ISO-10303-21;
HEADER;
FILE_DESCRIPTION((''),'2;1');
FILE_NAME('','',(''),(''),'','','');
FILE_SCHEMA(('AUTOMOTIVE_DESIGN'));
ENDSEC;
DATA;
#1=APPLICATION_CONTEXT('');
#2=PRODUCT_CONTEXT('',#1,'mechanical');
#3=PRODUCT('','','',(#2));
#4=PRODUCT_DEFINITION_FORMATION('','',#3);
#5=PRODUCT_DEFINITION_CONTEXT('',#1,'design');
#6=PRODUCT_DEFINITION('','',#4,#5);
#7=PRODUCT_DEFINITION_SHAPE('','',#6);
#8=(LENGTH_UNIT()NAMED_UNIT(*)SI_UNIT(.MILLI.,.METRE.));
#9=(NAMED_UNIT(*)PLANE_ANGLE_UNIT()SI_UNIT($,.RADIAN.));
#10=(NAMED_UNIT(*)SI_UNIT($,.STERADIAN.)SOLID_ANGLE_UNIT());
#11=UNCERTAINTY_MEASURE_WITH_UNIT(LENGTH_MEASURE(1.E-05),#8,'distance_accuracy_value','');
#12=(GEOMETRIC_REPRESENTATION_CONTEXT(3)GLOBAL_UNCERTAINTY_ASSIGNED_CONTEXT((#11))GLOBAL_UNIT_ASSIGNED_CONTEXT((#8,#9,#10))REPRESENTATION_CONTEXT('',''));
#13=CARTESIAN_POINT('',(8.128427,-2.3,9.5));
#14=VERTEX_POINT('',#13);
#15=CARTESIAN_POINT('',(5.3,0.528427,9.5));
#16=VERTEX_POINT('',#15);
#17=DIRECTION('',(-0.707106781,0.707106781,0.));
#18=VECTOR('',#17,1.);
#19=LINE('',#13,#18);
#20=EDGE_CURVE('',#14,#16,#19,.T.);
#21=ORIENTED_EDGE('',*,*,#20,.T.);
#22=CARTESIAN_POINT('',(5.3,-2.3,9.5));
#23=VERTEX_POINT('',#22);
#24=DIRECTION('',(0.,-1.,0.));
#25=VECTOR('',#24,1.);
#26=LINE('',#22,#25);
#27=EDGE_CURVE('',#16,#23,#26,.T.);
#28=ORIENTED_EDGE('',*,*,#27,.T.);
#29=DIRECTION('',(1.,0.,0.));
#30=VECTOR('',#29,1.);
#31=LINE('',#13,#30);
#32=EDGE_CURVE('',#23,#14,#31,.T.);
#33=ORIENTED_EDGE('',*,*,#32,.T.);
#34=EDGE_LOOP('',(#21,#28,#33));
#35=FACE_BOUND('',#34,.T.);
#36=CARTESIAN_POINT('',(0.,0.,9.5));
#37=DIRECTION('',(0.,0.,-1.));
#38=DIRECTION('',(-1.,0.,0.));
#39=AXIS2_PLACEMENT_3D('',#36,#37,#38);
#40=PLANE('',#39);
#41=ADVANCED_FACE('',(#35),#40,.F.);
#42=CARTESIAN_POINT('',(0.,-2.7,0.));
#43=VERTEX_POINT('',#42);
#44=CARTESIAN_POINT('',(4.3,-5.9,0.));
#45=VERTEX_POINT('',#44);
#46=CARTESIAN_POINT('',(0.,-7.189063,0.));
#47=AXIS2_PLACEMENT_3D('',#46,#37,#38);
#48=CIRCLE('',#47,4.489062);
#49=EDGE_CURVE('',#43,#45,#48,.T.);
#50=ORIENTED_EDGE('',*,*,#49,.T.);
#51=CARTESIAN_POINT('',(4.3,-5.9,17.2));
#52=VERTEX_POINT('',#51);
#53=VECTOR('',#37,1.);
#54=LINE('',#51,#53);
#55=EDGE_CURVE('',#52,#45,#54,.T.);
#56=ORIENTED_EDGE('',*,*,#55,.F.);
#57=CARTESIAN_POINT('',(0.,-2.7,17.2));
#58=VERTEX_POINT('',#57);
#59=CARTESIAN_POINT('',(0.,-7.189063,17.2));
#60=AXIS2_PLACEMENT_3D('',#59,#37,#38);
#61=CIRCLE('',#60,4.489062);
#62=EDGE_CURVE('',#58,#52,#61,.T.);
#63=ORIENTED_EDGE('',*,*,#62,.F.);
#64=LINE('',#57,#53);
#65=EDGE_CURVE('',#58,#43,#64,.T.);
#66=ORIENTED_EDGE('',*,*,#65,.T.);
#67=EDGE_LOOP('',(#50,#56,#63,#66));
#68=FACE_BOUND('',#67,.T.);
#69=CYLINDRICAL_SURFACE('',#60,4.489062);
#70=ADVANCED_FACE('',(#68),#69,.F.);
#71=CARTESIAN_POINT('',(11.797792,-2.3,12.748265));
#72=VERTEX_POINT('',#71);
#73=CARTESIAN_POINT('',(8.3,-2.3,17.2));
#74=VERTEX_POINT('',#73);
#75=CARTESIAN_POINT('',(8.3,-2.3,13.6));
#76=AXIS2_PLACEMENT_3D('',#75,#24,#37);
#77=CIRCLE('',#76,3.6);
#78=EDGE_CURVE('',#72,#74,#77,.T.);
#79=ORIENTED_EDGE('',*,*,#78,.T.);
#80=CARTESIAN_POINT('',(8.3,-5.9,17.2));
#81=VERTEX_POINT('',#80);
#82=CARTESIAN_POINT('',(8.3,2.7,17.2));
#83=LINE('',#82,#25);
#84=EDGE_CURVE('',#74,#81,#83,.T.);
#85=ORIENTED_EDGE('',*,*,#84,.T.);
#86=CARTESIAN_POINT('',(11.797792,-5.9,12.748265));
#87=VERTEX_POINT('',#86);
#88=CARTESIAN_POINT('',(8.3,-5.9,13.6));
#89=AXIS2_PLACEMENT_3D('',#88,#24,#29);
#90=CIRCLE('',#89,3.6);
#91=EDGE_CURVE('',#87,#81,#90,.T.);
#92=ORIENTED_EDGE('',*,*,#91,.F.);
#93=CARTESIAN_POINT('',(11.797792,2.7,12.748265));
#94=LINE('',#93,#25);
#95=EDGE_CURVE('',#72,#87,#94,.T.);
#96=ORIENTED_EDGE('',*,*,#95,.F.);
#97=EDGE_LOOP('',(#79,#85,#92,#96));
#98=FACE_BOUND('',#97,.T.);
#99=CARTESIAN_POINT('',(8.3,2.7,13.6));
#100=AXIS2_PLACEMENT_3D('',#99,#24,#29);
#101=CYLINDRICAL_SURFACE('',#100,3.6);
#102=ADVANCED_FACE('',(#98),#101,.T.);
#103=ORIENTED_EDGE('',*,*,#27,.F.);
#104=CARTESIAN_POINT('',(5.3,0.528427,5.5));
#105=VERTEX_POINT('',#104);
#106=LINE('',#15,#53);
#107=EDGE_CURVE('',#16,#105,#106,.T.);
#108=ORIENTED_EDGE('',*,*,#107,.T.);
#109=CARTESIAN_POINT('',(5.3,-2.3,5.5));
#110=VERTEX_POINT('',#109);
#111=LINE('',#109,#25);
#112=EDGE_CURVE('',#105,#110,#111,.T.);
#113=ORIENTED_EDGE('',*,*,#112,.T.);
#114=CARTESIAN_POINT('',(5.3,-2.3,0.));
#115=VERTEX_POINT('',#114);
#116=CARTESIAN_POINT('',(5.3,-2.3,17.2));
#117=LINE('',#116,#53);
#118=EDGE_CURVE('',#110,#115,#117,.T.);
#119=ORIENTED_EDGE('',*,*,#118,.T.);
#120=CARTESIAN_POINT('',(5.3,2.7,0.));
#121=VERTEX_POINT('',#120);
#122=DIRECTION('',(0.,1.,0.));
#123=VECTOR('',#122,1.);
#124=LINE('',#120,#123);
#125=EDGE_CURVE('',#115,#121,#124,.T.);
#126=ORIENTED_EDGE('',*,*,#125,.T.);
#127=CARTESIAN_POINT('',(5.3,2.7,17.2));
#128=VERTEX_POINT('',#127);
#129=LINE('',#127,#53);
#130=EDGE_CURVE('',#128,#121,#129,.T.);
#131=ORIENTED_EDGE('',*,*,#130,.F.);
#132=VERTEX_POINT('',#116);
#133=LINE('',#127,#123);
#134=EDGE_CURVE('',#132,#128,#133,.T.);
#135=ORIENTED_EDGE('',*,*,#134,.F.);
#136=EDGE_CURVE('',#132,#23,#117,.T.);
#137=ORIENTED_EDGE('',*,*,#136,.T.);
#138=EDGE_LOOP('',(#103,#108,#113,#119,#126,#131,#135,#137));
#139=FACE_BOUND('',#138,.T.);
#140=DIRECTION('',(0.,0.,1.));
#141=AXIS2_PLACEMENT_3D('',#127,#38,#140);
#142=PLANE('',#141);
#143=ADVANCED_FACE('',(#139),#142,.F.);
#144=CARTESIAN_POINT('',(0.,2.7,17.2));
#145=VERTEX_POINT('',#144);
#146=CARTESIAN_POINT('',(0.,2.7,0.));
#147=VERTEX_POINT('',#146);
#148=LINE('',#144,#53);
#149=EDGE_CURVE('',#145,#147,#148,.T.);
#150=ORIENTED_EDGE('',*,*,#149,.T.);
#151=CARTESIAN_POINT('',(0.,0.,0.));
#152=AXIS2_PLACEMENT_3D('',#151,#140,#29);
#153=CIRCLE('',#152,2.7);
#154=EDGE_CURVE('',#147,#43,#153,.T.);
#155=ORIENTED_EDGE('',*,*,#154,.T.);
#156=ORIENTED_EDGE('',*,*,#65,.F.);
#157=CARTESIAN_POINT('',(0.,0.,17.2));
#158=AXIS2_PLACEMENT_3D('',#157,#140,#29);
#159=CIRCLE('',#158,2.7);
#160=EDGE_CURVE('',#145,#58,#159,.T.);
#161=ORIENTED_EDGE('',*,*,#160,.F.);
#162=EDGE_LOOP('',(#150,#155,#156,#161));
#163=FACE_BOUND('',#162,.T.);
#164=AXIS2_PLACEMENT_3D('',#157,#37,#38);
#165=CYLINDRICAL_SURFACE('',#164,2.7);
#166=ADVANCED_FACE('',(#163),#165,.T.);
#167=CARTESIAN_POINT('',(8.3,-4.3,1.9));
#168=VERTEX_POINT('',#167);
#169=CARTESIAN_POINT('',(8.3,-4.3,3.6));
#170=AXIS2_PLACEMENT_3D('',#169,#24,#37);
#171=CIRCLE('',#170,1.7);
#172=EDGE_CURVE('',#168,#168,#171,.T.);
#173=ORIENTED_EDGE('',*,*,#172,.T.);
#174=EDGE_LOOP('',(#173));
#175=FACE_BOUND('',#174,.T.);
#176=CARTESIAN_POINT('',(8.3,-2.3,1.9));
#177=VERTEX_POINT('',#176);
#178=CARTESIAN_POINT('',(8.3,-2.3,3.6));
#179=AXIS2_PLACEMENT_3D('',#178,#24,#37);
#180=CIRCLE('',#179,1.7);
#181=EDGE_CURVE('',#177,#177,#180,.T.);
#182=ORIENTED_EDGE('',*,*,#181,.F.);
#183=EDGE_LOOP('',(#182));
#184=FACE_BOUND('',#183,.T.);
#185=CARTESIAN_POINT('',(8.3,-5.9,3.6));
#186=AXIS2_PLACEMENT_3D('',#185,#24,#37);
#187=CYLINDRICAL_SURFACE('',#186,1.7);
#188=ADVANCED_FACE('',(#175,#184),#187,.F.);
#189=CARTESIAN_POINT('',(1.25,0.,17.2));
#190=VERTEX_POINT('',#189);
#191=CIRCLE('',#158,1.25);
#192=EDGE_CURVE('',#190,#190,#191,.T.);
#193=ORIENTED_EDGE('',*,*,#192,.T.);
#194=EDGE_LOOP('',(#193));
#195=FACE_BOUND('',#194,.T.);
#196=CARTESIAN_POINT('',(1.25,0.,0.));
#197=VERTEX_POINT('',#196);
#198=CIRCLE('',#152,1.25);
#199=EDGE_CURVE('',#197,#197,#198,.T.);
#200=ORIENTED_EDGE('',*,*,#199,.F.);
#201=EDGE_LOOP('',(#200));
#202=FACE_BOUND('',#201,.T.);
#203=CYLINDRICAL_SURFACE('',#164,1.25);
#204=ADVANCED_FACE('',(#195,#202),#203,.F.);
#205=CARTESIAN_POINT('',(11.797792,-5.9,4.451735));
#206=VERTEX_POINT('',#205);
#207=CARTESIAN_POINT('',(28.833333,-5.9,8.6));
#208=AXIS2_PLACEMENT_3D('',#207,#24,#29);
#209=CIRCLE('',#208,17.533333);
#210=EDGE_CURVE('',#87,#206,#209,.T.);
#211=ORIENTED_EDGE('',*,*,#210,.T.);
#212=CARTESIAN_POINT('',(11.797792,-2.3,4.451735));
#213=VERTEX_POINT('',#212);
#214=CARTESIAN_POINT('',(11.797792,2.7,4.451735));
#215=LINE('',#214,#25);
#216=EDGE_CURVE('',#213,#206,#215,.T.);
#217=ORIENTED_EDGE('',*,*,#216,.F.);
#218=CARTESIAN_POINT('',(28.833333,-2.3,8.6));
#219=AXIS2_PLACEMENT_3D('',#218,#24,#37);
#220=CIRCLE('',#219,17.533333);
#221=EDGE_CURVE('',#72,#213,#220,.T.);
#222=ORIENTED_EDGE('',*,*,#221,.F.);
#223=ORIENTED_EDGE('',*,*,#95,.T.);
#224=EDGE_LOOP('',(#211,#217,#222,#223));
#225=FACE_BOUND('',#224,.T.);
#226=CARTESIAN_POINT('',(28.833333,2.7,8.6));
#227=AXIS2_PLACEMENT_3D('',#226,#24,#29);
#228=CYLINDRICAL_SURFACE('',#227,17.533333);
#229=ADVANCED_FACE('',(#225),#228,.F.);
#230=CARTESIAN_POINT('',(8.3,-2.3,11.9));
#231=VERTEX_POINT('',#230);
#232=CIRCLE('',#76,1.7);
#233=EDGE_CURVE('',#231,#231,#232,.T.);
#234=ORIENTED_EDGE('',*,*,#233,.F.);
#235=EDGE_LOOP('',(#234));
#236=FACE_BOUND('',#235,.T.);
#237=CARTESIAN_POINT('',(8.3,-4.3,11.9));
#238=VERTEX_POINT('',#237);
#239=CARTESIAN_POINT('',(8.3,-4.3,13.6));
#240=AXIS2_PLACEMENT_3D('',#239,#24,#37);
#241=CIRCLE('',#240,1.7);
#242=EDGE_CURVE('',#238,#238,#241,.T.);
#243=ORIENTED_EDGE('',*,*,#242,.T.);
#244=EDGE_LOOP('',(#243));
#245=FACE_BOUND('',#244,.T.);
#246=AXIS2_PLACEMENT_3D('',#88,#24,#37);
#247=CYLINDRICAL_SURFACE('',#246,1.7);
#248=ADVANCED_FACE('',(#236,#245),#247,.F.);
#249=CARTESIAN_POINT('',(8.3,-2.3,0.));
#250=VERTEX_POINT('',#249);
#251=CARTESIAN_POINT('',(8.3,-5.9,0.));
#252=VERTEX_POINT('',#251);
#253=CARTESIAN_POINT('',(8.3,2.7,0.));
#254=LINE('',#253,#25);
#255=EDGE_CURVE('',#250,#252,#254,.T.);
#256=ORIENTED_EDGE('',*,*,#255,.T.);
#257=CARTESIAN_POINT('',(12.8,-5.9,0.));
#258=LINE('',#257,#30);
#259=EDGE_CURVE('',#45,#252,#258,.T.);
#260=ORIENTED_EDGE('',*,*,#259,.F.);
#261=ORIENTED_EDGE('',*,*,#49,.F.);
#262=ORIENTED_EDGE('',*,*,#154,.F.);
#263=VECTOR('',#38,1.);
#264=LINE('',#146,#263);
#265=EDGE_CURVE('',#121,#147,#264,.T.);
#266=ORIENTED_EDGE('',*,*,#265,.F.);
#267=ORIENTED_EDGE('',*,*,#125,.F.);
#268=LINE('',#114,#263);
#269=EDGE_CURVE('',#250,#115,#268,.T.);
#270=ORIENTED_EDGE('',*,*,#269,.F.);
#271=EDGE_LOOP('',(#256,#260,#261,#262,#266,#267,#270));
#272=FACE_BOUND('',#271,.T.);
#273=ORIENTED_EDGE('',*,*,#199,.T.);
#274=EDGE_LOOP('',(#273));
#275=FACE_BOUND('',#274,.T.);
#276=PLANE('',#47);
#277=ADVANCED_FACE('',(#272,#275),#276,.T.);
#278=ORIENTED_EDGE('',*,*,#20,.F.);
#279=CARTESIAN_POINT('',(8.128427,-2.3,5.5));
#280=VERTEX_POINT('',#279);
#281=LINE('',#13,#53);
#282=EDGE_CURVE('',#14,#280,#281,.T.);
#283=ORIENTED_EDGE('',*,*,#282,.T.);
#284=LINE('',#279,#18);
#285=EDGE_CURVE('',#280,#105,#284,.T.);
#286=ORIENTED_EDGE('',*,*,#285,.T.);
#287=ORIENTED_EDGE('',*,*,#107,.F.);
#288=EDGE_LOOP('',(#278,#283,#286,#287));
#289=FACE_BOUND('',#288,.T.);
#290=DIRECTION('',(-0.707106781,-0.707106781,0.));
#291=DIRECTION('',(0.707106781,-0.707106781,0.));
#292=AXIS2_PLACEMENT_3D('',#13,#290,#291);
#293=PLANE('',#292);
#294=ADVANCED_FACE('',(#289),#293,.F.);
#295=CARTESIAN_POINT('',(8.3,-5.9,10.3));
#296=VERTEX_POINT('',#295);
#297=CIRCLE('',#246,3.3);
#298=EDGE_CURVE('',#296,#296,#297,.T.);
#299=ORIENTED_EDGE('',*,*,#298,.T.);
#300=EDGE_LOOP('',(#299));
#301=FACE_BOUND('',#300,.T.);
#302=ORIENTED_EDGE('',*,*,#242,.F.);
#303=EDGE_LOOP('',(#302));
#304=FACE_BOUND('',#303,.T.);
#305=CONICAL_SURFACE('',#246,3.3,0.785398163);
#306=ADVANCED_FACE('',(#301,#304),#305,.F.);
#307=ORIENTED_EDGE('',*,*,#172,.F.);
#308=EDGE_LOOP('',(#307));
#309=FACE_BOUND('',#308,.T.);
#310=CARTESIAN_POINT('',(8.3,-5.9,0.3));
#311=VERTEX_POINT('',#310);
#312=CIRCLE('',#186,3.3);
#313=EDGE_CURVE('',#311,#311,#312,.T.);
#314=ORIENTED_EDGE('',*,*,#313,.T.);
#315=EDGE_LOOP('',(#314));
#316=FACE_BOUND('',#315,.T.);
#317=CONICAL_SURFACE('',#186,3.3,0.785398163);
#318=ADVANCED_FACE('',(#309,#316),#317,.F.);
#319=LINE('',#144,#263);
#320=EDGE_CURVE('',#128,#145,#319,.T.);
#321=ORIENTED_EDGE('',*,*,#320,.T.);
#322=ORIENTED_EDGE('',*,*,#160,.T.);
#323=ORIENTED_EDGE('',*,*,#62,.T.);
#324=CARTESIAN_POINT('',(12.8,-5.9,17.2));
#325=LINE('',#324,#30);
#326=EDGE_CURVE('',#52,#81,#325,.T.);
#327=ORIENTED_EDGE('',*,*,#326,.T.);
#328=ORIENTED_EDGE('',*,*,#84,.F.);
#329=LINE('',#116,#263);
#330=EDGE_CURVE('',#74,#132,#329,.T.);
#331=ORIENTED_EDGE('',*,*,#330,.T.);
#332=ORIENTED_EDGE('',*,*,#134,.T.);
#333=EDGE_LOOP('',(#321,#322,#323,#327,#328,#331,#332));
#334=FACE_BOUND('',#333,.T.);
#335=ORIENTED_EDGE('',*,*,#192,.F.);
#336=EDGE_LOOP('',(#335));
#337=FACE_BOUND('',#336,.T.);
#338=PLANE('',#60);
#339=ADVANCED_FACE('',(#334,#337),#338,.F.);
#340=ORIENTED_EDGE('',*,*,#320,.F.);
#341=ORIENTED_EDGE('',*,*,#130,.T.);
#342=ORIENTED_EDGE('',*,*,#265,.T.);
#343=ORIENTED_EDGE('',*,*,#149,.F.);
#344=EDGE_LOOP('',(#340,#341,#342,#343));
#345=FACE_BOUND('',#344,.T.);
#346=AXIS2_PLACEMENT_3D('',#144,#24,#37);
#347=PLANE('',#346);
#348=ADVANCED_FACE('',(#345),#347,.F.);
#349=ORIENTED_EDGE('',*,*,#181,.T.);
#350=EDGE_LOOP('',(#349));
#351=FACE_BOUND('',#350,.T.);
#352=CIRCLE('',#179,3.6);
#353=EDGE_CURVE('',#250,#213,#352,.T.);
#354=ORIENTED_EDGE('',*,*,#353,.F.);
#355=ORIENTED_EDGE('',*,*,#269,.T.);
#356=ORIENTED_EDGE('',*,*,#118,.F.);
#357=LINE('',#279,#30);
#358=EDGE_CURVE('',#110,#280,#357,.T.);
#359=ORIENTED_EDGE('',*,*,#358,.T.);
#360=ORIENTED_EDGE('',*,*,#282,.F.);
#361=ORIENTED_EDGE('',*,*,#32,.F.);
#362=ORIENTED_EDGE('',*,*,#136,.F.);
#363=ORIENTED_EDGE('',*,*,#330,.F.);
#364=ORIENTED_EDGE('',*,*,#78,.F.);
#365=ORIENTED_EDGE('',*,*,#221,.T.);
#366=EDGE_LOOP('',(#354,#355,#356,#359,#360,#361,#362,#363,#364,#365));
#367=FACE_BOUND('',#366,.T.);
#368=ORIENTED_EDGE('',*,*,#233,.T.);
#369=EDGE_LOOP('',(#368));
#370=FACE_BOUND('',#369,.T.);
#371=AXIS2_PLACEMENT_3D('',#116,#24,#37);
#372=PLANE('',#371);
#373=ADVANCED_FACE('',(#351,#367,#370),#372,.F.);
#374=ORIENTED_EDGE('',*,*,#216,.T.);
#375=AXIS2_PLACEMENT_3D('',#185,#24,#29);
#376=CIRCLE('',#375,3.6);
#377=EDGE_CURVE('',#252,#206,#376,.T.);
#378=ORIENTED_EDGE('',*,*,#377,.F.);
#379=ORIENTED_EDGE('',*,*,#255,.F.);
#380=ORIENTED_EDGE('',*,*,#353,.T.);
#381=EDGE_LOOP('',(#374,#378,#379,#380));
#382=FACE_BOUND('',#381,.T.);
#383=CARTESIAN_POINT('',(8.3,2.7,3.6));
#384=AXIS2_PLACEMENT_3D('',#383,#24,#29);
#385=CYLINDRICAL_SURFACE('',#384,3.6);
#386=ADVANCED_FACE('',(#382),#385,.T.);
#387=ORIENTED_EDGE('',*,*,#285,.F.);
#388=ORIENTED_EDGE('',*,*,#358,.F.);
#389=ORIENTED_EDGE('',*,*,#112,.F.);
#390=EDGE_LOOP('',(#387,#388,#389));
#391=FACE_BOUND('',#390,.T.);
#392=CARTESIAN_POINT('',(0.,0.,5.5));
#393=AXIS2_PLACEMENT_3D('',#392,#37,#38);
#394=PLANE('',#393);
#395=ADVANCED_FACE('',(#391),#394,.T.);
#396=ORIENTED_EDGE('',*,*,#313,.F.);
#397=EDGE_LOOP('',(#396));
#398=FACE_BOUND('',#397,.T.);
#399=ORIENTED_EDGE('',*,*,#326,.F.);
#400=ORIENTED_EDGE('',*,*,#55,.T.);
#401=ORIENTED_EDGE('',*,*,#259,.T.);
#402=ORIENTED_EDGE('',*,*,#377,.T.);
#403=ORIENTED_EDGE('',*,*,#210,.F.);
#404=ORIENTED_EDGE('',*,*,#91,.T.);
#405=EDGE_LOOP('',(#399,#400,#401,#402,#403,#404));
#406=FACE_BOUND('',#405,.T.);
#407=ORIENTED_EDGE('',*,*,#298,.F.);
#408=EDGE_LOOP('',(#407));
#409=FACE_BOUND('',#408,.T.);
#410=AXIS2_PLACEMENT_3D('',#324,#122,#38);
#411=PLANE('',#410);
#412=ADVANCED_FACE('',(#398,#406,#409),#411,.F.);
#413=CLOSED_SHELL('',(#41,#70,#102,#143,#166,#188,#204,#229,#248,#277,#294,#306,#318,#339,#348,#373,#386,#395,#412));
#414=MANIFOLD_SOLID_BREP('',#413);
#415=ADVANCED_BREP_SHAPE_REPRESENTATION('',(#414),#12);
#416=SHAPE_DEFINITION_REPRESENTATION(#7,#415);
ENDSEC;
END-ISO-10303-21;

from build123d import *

# Parameters (mm, degrees)
SKETCH_1_R                = 1.25
EXTRUDE_1_DEPTH           = 17.2
CUT_EXTRUDE_1_DEPTH       = 9.6
EXTRUDE_2_DEPTH           = 4
HOLE_WIZARD_1_D           = 3.4
HOLE_WIZARD_1_DEPTH       = 8.6
HOLE_WIZARD_1_CSINK_D     = 6.6
HOLE_WIZARD_1_CSINK_ANGLE = 90
HOLE_WIZARD_1_TIP         = 1.021463052


with BuildPart() as part:
    # 草图1 → 凸台-拉伸1 (new body)
    with BuildSketch(Plane.XY):
        with BuildLine():
            Line((0, 2.7), (5.3, 2.7))
            Line((5.3, 2.7), (5.3, -2.3))
            Line((5.3, -2.3), (12.8, -2.3))
            Line((12.8, -2.3), (12.8, -5.9))
            Line((12.8, -5.9), (4.3, -5.9))
            ThreePointArc((4.3, -5.9), (2.680018657, -3.58778743), (0, -2.7))
            ThreePointArc((0, -2.7), (-2.7, 0), (0, 2.7))
        make_face()
        Circle(SKETCH_1_R, mode=Mode.SUBTRACT)
    extrude(amount=EXTRUDE_1_DEPTH)

    # 草图6 → 切除-拉伸1 (cut, through all)
    with BuildSketch(Plane.XZ.offset(5.9)):
        with BuildLine():
            Line((8.3, 0), (12.8, 0))
            Line((12.8, 0), (12.8, 17.2))
            Line((12.8, 17.2), (8.3, 17.2))
            ThreePointArc((8.3, 17.2), (10.845584412, 16.145584412), (11.9, 13.6))
            ThreePointArc((11.9, 13.6), (11.874356619, 13.171077206), (11.797791798, 12.748264984))
            ThreePointArc((11.797791798, 12.748264984), (11.3, 8.6), (11.797791798, 4.451735016))
            ThreePointArc((11.797791798, 4.451735016), (11.874356619, 4.028922794), (11.9, 3.6))
            ThreePointArc((11.9, 3.6), (10.845584412, 1.054415588), (8.3, 0))
        make_face()
    extrude(amount=-CUT_EXTRUDE_1_DEPTH, mode=Mode.SUBTRACT)

    # 草图7 → 凸台-拉伸2 (add)
    with BuildSketch(Plane.XY.offset(5.5)):
        Polygon((8.128427125, -2.3), (5.3, -2.3), (5.3, 0.528427125), align=None)
    extrude(amount=EXTRUDE_2_DEPTH)

    # 打孔尺寸(%根据)开槽半沉头木螺钉的类型1
    with Locations(Plane(origin=(8.3, -5.9, 3.6), x_dir=(-1, 0, 0), z_dir=(0, -1, 0))):
        with Locations((0, 0), (0, -10)):
            CounterSinkHole(HOLE_WIZARD_1_D / 2, HOLE_WIZARD_1_CSINK_D / 2, depth=HOLE_WIZARD_1_DEPTH, counter_sink_angle=HOLE_WIZARD_1_CSINK_ANGLE)
            with Locations((0, 0, -(HOLE_WIZARD_1_DEPTH + HOLE_WIZARD_1_TIP / 2))):  # 118° drill point
                Cone(0, HOLE_WIZARD_1_D / 2, HOLE_WIZARD_1_TIP, mode=Mode.SUBTRACT)


solid = part.part
